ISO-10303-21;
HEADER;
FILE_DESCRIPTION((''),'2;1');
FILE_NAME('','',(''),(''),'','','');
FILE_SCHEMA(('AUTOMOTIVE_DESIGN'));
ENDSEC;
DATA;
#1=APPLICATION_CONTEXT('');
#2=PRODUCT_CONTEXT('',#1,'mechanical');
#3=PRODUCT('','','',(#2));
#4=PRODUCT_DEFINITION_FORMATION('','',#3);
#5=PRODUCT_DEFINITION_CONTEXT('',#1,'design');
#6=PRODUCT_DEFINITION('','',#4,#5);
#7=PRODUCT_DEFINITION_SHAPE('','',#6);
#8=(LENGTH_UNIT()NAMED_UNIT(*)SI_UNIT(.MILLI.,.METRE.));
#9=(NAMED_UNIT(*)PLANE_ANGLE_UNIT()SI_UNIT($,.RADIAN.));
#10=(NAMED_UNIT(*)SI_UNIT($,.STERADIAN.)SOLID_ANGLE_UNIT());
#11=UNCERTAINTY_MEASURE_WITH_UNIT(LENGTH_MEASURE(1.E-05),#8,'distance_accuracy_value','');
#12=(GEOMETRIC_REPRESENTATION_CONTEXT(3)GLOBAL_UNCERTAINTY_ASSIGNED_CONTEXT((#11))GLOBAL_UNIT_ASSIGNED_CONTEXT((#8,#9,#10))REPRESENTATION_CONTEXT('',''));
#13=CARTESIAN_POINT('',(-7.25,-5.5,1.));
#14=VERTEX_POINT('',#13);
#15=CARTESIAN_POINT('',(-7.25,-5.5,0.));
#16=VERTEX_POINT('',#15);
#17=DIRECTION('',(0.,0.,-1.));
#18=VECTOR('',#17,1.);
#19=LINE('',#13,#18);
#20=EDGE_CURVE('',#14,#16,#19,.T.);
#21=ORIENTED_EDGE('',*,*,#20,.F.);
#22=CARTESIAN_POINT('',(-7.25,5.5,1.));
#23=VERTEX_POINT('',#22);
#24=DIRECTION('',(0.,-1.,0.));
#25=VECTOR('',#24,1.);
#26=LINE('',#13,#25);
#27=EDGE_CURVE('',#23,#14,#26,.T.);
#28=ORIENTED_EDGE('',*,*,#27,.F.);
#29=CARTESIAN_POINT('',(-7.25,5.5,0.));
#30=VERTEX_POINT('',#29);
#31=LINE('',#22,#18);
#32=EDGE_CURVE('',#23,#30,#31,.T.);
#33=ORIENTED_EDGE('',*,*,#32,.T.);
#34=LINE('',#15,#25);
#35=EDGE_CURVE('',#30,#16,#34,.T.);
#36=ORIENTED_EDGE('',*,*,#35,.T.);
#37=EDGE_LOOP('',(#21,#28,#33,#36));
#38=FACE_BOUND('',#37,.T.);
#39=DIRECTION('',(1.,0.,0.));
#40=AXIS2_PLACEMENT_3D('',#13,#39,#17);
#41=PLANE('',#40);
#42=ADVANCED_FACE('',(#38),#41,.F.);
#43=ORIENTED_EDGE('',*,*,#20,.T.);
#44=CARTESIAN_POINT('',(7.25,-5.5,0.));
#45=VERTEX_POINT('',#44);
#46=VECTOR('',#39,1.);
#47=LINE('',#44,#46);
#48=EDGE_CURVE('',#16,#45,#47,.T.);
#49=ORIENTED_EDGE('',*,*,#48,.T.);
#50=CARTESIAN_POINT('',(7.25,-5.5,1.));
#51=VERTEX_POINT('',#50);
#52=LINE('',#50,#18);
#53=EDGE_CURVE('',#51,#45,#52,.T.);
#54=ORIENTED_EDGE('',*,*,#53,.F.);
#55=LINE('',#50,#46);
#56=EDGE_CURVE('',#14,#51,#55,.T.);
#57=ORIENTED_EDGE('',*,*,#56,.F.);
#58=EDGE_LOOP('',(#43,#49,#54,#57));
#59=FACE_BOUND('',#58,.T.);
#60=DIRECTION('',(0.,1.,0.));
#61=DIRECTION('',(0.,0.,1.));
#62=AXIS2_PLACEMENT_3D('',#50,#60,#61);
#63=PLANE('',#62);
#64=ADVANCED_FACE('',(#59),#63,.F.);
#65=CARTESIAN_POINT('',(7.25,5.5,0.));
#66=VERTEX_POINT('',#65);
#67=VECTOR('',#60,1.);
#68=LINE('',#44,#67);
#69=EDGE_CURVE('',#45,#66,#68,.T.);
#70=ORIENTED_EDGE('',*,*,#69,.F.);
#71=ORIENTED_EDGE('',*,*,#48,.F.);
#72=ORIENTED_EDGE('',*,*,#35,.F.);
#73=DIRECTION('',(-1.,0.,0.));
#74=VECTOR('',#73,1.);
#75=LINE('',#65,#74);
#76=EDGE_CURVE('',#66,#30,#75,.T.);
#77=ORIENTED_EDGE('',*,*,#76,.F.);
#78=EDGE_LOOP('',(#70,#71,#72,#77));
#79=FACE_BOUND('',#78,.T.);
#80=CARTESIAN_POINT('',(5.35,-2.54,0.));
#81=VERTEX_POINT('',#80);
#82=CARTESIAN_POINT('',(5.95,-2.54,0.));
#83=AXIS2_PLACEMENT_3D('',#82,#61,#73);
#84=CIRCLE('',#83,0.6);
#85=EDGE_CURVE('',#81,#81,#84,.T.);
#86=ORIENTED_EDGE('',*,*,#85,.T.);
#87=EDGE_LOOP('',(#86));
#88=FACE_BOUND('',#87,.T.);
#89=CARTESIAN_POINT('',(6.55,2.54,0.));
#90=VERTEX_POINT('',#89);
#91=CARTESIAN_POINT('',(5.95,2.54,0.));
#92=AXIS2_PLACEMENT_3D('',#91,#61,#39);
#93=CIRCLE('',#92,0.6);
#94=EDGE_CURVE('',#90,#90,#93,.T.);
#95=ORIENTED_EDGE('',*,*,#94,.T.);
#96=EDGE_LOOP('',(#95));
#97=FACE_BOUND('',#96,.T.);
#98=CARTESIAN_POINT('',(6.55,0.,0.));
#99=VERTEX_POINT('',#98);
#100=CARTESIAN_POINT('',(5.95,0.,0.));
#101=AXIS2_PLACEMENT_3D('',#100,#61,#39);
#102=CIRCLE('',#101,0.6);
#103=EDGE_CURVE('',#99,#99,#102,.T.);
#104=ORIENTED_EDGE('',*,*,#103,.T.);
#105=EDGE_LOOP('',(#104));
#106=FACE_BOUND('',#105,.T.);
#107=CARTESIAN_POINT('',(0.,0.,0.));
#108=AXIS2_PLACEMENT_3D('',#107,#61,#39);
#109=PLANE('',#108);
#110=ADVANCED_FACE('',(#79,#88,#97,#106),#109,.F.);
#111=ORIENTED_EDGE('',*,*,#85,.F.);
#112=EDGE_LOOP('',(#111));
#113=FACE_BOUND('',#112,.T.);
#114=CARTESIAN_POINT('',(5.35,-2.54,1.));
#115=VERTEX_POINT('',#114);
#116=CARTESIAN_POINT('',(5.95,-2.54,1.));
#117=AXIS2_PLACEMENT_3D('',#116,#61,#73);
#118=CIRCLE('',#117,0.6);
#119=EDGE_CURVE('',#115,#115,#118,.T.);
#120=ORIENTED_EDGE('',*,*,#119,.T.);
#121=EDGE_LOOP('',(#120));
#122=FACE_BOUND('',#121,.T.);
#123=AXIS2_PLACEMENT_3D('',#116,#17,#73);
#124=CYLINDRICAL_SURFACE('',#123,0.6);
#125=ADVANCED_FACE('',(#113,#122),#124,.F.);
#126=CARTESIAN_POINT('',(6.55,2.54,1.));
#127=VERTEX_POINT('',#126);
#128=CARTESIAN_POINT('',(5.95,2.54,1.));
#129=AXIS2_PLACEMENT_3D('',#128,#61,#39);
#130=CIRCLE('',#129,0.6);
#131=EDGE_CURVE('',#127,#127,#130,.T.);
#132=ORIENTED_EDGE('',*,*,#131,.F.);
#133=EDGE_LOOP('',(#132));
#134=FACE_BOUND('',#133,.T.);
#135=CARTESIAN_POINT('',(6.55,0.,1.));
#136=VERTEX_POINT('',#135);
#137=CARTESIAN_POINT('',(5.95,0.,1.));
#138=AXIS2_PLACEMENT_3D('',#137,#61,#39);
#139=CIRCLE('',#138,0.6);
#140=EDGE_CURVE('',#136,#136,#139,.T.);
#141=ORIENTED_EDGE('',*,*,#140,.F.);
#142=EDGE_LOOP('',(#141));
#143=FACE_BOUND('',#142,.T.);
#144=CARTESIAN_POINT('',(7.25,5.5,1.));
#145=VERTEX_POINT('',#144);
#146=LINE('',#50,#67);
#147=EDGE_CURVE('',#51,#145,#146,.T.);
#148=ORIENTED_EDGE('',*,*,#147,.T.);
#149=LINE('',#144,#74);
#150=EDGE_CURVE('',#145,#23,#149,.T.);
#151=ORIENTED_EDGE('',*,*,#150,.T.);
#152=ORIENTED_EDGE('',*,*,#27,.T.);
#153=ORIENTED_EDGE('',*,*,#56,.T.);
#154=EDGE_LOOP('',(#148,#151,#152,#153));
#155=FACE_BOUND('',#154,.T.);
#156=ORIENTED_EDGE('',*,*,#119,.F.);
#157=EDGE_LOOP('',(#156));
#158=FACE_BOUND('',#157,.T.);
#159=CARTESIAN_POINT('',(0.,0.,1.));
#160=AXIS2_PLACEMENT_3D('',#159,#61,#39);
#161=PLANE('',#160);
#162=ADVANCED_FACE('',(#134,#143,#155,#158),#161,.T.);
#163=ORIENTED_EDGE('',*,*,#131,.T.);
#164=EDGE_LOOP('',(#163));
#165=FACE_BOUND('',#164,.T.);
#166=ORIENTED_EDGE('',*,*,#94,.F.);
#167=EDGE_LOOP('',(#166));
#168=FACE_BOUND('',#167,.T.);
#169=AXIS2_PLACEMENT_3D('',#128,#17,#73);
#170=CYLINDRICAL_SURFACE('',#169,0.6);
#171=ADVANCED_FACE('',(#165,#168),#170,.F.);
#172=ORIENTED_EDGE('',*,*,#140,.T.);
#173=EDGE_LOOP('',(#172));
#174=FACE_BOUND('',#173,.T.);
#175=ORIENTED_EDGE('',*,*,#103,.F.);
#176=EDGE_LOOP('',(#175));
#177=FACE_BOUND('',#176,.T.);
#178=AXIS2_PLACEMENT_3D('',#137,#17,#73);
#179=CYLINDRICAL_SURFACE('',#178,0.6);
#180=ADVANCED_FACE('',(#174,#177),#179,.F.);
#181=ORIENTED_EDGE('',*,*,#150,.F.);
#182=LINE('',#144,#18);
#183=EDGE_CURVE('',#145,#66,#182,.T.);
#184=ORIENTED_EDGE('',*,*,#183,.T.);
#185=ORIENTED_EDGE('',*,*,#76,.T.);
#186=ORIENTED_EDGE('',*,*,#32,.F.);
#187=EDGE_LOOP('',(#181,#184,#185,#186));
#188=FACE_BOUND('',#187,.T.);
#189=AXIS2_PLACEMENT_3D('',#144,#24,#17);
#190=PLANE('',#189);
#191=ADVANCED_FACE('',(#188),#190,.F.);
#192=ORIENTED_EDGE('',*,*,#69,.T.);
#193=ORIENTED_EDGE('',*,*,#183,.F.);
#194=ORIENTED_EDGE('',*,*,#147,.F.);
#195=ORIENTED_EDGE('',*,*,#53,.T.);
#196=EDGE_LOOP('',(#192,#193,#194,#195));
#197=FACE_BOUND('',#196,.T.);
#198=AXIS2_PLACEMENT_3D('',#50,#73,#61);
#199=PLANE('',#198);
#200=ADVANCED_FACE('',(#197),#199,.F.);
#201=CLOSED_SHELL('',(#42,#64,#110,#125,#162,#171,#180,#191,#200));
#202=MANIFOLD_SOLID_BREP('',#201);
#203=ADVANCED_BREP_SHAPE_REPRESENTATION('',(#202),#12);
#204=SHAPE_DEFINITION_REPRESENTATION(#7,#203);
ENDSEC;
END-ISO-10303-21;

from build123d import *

# Parameters (mm, degrees)
SKETCH_1_W      = 14.5
SKETCH_1_H      = 11
SKETCH_1_R      = 0.6
EXTRUDE_1_DEPTH = 1


with BuildPart() as part:
    # Эскиз1 → Бобышка-Вытянуть1 (new body)
    with BuildSketch(Plane.XY):
        Rectangle(SKETCH_1_W, SKETCH_1_H)
        with Locations((5.95, 0)):
            Circle(SKETCH_1_R, mode=Mode.SUBTRACT)
        with Locations((5.95, 2.54)):
            Circle(SKETCH_1_R, mode=Mode.SUBTRACT)
        with Locations((5.95, -2.54)):
            Circle(SKETCH_1_R, mode=Mode.SUBTRACT)
    extrude(amount=EXTRUDE_1_DEPTH)


solid = part.part
